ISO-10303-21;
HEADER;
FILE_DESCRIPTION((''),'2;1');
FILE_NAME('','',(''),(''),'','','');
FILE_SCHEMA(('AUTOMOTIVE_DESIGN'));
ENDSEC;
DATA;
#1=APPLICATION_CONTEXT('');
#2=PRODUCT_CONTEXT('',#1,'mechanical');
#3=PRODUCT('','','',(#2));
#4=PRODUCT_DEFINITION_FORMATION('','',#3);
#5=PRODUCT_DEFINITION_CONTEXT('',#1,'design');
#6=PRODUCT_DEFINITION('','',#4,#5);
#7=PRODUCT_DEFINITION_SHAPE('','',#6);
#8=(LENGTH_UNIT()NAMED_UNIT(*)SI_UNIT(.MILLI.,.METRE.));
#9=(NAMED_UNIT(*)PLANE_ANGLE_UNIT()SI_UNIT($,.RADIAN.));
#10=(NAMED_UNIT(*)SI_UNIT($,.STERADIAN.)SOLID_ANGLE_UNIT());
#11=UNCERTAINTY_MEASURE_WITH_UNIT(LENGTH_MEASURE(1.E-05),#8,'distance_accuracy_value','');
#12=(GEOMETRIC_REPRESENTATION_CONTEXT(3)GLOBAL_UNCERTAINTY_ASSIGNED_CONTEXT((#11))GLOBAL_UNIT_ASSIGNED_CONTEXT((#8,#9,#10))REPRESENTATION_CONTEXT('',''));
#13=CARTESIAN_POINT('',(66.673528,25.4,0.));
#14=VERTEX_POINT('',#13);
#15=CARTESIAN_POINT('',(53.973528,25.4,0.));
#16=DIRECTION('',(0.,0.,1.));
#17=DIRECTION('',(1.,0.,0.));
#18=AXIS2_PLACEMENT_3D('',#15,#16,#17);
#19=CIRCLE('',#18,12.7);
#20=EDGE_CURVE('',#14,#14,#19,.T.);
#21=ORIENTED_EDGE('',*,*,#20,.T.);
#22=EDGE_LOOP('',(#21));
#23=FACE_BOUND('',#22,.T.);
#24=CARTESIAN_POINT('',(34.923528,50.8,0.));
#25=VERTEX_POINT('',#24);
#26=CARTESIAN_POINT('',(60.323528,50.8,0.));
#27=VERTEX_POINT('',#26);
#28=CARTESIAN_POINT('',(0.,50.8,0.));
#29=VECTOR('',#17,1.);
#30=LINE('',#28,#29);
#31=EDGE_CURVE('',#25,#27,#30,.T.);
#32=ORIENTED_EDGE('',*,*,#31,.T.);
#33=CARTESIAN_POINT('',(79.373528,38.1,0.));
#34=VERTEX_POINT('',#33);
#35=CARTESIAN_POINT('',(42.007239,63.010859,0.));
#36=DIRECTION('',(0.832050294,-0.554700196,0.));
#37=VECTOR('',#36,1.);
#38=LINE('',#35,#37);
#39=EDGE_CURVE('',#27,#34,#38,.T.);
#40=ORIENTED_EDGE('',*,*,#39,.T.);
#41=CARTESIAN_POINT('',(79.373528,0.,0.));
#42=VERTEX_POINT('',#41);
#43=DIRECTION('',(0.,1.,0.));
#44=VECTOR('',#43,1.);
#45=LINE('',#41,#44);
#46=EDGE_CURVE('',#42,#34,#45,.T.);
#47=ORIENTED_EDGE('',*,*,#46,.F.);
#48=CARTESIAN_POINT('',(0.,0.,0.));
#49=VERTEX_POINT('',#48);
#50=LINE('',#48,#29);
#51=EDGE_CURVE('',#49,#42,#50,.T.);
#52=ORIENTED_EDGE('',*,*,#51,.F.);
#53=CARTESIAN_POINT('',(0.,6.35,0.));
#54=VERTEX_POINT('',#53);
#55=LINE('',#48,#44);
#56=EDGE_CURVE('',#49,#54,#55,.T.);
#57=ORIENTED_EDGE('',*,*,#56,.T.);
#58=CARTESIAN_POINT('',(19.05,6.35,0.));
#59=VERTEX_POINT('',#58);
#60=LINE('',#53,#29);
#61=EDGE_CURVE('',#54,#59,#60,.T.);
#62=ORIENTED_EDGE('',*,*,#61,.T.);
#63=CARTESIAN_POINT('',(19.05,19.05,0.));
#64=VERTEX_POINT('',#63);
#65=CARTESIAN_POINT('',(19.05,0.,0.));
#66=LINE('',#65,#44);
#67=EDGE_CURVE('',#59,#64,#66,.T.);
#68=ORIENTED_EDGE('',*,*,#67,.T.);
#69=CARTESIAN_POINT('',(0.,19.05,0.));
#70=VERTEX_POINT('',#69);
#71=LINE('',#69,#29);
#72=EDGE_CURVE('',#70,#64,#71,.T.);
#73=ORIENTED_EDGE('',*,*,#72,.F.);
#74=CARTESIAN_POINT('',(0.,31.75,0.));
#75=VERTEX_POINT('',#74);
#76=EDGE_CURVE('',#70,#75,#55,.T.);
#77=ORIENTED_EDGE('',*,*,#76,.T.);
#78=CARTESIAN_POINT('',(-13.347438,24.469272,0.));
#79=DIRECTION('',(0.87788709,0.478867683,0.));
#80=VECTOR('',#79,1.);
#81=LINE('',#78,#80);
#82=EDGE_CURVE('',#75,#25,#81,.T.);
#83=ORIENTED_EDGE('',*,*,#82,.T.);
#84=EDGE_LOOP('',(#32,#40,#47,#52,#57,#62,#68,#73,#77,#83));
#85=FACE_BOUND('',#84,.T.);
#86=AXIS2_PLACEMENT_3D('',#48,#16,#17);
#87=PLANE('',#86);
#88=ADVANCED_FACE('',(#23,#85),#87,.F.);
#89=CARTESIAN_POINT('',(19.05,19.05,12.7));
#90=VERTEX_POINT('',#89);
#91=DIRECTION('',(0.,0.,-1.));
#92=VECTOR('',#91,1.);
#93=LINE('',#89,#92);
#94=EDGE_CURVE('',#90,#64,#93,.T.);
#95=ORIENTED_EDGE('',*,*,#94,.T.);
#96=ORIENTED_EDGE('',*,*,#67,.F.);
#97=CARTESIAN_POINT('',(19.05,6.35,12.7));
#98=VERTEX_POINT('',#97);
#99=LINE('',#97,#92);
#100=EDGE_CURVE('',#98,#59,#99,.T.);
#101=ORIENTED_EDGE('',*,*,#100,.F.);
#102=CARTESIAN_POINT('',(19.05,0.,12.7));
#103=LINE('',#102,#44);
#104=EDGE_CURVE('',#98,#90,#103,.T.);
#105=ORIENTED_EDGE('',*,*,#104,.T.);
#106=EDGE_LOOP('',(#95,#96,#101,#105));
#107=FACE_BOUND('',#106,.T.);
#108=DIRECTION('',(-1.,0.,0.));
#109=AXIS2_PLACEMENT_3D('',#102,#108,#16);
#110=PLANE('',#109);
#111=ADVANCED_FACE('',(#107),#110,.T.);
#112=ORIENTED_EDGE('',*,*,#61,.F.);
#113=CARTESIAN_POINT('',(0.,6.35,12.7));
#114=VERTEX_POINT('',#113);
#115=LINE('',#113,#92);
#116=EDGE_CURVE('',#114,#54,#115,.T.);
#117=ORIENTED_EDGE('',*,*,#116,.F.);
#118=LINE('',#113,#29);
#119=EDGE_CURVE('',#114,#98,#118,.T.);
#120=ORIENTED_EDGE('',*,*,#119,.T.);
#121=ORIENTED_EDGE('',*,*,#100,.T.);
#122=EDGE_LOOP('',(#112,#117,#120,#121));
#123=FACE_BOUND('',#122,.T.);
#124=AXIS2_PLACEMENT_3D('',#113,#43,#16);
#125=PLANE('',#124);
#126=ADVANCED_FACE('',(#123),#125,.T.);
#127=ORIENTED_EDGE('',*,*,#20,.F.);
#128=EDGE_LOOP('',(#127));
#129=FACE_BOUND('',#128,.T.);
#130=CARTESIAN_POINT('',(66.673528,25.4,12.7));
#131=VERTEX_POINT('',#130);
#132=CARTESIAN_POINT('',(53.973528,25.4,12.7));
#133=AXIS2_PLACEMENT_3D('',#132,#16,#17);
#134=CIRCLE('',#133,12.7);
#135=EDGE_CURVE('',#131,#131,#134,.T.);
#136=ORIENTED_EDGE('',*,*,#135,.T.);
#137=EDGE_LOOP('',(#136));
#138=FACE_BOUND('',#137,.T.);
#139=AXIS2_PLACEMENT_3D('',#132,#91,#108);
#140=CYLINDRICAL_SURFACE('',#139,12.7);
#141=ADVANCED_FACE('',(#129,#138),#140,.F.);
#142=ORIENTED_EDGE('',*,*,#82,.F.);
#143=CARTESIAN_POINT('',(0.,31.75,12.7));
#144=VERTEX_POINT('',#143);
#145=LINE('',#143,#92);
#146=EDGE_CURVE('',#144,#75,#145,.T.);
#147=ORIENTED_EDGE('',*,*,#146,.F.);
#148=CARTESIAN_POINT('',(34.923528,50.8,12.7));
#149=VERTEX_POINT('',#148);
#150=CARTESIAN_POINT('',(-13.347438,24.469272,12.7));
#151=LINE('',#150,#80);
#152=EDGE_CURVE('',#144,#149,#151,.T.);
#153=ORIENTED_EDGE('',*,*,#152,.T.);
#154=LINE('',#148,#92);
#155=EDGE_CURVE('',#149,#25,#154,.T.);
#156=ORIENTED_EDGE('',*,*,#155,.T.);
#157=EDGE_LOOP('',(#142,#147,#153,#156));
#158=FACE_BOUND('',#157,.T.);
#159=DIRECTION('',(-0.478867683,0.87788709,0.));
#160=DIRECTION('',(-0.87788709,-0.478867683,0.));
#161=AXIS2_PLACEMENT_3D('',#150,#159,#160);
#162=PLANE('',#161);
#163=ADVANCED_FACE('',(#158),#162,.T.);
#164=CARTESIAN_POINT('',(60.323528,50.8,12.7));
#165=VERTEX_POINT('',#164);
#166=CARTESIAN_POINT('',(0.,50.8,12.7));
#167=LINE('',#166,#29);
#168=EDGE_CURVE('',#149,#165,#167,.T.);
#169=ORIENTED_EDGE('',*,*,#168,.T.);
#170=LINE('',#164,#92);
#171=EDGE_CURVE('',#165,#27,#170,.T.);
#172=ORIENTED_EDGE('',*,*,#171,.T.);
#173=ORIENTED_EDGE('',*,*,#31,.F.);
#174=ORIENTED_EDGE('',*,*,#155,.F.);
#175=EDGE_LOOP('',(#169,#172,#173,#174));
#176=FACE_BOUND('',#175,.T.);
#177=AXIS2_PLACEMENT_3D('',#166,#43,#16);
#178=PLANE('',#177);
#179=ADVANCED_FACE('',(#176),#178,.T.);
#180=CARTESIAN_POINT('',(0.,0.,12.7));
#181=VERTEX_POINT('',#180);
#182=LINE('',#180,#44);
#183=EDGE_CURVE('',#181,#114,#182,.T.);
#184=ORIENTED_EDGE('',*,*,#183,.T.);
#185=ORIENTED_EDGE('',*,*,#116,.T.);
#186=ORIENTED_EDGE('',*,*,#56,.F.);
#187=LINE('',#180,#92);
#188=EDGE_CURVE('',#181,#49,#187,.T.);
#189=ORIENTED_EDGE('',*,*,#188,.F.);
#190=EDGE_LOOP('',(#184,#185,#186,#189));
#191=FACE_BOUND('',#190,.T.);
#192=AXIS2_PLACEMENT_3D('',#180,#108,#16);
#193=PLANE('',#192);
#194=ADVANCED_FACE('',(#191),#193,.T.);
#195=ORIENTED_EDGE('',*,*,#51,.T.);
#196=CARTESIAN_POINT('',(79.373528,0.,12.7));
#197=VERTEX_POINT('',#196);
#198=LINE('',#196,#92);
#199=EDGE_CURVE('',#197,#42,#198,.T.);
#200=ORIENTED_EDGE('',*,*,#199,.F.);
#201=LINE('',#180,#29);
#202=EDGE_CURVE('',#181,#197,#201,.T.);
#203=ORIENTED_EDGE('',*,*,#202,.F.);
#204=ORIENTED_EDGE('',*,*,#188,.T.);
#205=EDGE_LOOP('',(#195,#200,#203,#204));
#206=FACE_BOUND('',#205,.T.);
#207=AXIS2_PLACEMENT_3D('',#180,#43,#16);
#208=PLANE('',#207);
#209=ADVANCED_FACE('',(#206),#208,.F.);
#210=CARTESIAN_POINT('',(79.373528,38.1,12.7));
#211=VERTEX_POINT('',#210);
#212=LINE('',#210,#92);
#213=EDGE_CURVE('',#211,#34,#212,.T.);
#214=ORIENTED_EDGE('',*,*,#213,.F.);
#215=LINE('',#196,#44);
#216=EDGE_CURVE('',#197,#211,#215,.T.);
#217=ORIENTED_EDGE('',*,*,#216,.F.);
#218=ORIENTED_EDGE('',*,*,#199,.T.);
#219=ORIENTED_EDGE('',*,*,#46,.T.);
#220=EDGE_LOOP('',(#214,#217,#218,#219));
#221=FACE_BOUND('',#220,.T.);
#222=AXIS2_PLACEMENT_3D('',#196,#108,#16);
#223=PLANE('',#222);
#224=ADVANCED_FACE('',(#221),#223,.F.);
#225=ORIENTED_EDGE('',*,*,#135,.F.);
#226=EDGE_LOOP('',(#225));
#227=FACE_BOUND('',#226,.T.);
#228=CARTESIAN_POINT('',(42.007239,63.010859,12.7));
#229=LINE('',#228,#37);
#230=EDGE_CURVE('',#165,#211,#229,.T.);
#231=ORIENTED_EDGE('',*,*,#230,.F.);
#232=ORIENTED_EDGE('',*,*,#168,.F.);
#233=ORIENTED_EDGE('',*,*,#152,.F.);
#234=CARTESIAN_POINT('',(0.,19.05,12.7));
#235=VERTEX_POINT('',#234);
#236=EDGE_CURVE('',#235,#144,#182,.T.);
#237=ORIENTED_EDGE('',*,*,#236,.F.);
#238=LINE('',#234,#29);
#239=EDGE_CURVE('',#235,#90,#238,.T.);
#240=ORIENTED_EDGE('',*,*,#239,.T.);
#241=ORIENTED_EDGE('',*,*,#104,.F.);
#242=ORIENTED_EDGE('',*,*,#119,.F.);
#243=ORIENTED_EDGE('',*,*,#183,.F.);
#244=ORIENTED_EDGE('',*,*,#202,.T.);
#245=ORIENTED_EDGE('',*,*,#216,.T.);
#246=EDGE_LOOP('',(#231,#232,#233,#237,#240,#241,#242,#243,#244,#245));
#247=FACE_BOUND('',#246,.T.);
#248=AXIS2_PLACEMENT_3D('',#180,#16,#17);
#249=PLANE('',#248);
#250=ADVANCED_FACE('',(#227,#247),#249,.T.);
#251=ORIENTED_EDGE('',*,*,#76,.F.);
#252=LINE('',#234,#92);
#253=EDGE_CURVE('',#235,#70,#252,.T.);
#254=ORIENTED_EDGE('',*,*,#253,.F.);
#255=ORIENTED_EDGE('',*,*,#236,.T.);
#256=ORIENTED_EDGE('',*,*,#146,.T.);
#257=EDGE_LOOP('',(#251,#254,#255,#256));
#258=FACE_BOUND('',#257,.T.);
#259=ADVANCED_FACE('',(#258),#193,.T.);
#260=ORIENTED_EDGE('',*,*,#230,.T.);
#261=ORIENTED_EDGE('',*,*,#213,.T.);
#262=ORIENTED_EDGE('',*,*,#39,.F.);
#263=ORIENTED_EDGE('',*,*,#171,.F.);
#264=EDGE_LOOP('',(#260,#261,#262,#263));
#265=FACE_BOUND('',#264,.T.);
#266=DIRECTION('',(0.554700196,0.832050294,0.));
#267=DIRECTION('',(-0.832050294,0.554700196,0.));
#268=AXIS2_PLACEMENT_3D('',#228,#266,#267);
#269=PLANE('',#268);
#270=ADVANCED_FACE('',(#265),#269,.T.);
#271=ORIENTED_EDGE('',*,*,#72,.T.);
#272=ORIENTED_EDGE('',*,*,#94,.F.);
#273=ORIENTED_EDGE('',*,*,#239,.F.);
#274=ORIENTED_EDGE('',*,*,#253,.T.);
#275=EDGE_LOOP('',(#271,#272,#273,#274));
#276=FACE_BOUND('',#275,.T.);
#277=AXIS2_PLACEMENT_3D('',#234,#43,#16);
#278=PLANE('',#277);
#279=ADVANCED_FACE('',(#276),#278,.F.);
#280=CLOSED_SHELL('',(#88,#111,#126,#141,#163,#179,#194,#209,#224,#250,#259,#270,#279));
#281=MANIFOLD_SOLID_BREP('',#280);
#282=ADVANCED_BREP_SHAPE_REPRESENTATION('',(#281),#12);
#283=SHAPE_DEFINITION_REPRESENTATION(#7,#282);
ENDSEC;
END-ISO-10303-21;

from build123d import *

# Parameters (mm, degrees)
SKETCH1_R           = 12.7
BOSS_EXTRUDE1_DEPTH = 12.7


with BuildPart() as part:
    # Sketch1 → Boss-Extrude1 (new body)
    with BuildSketch(Plane.XY):
        Polygon((79.373528244, 38.1), (60.323528244, 50.8), (34.923528244, 50.8), (0, 31.75), (0, 19.05), (19.05, 19.05), (19.05, 6.35), (0, 6.35), (0, 0), (79.373528244, 0), align=None)
        with Locations((53.973528244, 25.4)):
            Circle(SKETCH1_R, mode=Mode.SUBTRACT)
    extrude(amount=BOSS_EXTRUDE1_DEPTH)


solid = part.part
